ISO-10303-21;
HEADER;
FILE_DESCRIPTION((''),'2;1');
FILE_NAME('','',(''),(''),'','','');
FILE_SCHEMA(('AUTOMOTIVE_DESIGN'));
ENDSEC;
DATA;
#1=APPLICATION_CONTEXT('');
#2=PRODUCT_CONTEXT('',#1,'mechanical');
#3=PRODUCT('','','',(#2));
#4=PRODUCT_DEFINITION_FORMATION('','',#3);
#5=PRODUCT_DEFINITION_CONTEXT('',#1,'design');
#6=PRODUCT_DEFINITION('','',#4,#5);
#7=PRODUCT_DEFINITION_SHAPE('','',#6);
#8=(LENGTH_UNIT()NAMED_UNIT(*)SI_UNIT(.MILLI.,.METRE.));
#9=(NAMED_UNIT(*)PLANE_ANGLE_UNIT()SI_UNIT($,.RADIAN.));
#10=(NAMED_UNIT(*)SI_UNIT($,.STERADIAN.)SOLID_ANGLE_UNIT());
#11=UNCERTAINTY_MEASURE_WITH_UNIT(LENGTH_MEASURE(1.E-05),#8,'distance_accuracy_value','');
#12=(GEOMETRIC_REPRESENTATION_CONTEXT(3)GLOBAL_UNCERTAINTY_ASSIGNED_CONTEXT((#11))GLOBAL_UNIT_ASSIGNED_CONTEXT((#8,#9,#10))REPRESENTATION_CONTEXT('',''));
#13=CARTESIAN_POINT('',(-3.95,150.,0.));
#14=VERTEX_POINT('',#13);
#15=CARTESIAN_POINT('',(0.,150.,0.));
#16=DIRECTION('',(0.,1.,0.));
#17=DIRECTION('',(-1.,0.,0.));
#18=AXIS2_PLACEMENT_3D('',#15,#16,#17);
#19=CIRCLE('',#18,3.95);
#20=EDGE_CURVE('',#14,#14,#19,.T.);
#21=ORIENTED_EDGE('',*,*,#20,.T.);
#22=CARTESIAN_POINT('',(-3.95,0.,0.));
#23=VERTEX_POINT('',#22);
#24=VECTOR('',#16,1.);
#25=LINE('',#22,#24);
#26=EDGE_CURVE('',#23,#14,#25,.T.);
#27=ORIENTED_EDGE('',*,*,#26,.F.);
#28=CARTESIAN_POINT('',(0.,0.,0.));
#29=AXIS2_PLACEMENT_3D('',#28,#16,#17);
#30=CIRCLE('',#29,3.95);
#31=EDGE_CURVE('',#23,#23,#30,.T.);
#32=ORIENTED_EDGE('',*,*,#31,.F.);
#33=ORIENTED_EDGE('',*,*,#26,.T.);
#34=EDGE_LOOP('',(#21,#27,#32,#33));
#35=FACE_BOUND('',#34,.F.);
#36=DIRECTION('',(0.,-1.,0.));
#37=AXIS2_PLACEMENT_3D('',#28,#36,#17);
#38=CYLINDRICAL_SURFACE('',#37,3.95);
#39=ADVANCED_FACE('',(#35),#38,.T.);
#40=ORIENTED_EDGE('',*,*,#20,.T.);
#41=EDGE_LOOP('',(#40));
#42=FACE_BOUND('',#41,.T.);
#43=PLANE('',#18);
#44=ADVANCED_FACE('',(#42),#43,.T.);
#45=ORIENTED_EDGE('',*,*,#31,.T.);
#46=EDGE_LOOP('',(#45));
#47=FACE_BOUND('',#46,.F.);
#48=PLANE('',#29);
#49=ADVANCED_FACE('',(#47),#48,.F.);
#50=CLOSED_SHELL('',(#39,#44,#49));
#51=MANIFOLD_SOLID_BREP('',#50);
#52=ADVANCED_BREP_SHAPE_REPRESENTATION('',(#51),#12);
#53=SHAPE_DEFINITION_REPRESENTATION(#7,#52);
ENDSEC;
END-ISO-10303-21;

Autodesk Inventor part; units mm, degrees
ref_plane "YZ Plane" through (0, 0, 0) normal (1, 0, 0) x (0, 1, 0)
ref_plane "XY Plane" through (0, 0, 0) normal (0, 0, 1) x (1, 0, 0)
sketch "Sketch1" plane through (0, 0, 0) normal (0, 1, 0) x (-1, 0, 0)
  circle A0 centre (0, 0) radius 3.95
  dimension "d0" = 7.9
extrude "Extrusion1" add sketch "Sketch1" along normal blind 150
ref_plane "Work Plane1" through (0, 75, 0) normal (0, 1, 0) x (-1, 0, 0)
properties part number "CeramicRod"
